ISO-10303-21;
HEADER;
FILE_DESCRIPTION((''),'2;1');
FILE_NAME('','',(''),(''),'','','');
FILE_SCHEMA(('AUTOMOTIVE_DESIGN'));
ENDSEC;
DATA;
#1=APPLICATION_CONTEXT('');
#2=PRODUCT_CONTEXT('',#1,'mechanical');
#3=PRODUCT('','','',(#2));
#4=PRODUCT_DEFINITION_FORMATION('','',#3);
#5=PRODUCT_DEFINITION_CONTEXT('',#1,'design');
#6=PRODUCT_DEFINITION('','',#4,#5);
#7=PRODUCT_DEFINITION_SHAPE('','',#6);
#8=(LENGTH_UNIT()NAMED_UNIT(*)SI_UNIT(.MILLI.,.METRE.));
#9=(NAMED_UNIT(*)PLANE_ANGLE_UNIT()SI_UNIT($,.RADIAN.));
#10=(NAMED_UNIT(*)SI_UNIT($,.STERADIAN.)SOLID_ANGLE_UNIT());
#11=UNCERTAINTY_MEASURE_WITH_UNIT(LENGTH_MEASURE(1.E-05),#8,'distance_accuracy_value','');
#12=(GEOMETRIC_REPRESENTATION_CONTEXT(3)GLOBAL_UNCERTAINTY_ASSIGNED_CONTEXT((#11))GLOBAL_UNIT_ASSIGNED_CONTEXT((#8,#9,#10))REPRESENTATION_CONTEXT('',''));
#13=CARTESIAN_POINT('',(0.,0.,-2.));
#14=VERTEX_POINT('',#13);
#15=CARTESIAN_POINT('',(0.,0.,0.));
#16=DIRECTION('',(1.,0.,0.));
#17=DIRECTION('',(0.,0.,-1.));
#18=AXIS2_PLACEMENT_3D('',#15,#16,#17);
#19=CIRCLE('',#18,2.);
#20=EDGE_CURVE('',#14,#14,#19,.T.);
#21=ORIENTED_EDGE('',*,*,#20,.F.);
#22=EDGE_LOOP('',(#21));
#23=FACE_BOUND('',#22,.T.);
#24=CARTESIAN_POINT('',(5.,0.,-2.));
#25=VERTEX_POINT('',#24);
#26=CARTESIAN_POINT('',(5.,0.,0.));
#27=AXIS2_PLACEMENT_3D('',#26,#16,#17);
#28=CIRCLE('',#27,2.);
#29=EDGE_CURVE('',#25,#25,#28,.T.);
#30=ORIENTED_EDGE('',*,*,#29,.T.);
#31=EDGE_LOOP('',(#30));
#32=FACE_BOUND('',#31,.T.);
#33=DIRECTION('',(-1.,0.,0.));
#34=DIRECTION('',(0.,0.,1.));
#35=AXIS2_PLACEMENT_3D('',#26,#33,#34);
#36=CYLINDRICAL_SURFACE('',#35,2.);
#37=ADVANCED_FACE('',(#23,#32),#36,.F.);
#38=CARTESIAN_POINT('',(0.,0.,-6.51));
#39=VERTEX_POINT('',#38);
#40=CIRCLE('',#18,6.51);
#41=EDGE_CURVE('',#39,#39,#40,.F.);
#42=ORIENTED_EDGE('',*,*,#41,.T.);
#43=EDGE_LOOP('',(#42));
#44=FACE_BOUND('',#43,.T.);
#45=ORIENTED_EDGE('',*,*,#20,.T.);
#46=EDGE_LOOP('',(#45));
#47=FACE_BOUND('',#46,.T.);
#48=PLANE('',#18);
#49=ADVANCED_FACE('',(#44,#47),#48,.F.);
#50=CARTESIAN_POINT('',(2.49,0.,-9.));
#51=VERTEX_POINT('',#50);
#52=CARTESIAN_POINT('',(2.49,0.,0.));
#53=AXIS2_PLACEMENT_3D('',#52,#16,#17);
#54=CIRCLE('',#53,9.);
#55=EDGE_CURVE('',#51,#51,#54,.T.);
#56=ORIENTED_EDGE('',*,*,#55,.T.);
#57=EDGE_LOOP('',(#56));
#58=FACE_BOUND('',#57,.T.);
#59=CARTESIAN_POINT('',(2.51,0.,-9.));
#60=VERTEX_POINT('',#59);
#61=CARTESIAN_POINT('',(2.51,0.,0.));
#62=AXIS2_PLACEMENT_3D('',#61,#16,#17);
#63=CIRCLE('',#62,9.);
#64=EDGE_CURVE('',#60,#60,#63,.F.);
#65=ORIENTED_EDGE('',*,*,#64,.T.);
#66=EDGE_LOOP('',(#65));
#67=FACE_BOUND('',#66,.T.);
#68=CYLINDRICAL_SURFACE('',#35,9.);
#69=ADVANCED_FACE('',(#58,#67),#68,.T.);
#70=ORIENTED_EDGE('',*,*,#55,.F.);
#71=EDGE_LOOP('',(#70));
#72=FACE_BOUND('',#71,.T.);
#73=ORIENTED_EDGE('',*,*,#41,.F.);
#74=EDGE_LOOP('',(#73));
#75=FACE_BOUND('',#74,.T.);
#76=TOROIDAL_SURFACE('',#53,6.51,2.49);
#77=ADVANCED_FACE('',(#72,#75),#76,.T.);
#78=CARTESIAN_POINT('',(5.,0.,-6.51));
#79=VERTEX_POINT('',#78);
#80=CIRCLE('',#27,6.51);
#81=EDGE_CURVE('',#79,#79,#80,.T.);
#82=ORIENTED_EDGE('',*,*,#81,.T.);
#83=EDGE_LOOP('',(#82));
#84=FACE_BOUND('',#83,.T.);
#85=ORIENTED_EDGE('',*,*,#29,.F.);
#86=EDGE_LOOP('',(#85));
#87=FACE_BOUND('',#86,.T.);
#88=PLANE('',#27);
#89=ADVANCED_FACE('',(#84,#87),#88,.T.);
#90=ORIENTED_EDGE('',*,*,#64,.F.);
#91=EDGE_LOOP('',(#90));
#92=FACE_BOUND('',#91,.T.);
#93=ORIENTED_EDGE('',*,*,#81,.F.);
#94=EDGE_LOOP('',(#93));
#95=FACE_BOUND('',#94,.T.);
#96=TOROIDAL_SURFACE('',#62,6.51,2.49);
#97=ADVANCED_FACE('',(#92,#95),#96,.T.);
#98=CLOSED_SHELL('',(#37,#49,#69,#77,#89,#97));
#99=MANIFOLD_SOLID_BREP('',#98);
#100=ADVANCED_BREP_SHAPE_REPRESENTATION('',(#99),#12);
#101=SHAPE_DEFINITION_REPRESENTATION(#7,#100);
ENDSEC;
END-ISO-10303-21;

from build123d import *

# Parameters (mm, degrees)
SKETCH2_R           = 9
SKETCH2_R_2         = 2
BOSS_EXTRUDE1_DEPTH = 5
FILLET1_R           = 2.49


with BuildPart() as part:
    # Sketch2 → Boss-Extrude1 (new body)
    with BuildSketch(Plane(origin=(0, 0, 0), x_dir=(0, 0, -1), z_dir=(1, 0, 0))):
        Circle(SKETCH2_R)
        Circle(SKETCH2_R_2, mode=Mode.SUBTRACT)
    extrude(amount=BOSS_EXTRUDE1_DEPTH)

    # Fillet1
    fillet1_edges = [part.edges().sort_by_distance(p)[0] for p in [
        (0, 0, 9),
        (5, 0, 9),
    ]]
    fillet(fillet1_edges, radius=FILLET1_R)


solid = part.part
